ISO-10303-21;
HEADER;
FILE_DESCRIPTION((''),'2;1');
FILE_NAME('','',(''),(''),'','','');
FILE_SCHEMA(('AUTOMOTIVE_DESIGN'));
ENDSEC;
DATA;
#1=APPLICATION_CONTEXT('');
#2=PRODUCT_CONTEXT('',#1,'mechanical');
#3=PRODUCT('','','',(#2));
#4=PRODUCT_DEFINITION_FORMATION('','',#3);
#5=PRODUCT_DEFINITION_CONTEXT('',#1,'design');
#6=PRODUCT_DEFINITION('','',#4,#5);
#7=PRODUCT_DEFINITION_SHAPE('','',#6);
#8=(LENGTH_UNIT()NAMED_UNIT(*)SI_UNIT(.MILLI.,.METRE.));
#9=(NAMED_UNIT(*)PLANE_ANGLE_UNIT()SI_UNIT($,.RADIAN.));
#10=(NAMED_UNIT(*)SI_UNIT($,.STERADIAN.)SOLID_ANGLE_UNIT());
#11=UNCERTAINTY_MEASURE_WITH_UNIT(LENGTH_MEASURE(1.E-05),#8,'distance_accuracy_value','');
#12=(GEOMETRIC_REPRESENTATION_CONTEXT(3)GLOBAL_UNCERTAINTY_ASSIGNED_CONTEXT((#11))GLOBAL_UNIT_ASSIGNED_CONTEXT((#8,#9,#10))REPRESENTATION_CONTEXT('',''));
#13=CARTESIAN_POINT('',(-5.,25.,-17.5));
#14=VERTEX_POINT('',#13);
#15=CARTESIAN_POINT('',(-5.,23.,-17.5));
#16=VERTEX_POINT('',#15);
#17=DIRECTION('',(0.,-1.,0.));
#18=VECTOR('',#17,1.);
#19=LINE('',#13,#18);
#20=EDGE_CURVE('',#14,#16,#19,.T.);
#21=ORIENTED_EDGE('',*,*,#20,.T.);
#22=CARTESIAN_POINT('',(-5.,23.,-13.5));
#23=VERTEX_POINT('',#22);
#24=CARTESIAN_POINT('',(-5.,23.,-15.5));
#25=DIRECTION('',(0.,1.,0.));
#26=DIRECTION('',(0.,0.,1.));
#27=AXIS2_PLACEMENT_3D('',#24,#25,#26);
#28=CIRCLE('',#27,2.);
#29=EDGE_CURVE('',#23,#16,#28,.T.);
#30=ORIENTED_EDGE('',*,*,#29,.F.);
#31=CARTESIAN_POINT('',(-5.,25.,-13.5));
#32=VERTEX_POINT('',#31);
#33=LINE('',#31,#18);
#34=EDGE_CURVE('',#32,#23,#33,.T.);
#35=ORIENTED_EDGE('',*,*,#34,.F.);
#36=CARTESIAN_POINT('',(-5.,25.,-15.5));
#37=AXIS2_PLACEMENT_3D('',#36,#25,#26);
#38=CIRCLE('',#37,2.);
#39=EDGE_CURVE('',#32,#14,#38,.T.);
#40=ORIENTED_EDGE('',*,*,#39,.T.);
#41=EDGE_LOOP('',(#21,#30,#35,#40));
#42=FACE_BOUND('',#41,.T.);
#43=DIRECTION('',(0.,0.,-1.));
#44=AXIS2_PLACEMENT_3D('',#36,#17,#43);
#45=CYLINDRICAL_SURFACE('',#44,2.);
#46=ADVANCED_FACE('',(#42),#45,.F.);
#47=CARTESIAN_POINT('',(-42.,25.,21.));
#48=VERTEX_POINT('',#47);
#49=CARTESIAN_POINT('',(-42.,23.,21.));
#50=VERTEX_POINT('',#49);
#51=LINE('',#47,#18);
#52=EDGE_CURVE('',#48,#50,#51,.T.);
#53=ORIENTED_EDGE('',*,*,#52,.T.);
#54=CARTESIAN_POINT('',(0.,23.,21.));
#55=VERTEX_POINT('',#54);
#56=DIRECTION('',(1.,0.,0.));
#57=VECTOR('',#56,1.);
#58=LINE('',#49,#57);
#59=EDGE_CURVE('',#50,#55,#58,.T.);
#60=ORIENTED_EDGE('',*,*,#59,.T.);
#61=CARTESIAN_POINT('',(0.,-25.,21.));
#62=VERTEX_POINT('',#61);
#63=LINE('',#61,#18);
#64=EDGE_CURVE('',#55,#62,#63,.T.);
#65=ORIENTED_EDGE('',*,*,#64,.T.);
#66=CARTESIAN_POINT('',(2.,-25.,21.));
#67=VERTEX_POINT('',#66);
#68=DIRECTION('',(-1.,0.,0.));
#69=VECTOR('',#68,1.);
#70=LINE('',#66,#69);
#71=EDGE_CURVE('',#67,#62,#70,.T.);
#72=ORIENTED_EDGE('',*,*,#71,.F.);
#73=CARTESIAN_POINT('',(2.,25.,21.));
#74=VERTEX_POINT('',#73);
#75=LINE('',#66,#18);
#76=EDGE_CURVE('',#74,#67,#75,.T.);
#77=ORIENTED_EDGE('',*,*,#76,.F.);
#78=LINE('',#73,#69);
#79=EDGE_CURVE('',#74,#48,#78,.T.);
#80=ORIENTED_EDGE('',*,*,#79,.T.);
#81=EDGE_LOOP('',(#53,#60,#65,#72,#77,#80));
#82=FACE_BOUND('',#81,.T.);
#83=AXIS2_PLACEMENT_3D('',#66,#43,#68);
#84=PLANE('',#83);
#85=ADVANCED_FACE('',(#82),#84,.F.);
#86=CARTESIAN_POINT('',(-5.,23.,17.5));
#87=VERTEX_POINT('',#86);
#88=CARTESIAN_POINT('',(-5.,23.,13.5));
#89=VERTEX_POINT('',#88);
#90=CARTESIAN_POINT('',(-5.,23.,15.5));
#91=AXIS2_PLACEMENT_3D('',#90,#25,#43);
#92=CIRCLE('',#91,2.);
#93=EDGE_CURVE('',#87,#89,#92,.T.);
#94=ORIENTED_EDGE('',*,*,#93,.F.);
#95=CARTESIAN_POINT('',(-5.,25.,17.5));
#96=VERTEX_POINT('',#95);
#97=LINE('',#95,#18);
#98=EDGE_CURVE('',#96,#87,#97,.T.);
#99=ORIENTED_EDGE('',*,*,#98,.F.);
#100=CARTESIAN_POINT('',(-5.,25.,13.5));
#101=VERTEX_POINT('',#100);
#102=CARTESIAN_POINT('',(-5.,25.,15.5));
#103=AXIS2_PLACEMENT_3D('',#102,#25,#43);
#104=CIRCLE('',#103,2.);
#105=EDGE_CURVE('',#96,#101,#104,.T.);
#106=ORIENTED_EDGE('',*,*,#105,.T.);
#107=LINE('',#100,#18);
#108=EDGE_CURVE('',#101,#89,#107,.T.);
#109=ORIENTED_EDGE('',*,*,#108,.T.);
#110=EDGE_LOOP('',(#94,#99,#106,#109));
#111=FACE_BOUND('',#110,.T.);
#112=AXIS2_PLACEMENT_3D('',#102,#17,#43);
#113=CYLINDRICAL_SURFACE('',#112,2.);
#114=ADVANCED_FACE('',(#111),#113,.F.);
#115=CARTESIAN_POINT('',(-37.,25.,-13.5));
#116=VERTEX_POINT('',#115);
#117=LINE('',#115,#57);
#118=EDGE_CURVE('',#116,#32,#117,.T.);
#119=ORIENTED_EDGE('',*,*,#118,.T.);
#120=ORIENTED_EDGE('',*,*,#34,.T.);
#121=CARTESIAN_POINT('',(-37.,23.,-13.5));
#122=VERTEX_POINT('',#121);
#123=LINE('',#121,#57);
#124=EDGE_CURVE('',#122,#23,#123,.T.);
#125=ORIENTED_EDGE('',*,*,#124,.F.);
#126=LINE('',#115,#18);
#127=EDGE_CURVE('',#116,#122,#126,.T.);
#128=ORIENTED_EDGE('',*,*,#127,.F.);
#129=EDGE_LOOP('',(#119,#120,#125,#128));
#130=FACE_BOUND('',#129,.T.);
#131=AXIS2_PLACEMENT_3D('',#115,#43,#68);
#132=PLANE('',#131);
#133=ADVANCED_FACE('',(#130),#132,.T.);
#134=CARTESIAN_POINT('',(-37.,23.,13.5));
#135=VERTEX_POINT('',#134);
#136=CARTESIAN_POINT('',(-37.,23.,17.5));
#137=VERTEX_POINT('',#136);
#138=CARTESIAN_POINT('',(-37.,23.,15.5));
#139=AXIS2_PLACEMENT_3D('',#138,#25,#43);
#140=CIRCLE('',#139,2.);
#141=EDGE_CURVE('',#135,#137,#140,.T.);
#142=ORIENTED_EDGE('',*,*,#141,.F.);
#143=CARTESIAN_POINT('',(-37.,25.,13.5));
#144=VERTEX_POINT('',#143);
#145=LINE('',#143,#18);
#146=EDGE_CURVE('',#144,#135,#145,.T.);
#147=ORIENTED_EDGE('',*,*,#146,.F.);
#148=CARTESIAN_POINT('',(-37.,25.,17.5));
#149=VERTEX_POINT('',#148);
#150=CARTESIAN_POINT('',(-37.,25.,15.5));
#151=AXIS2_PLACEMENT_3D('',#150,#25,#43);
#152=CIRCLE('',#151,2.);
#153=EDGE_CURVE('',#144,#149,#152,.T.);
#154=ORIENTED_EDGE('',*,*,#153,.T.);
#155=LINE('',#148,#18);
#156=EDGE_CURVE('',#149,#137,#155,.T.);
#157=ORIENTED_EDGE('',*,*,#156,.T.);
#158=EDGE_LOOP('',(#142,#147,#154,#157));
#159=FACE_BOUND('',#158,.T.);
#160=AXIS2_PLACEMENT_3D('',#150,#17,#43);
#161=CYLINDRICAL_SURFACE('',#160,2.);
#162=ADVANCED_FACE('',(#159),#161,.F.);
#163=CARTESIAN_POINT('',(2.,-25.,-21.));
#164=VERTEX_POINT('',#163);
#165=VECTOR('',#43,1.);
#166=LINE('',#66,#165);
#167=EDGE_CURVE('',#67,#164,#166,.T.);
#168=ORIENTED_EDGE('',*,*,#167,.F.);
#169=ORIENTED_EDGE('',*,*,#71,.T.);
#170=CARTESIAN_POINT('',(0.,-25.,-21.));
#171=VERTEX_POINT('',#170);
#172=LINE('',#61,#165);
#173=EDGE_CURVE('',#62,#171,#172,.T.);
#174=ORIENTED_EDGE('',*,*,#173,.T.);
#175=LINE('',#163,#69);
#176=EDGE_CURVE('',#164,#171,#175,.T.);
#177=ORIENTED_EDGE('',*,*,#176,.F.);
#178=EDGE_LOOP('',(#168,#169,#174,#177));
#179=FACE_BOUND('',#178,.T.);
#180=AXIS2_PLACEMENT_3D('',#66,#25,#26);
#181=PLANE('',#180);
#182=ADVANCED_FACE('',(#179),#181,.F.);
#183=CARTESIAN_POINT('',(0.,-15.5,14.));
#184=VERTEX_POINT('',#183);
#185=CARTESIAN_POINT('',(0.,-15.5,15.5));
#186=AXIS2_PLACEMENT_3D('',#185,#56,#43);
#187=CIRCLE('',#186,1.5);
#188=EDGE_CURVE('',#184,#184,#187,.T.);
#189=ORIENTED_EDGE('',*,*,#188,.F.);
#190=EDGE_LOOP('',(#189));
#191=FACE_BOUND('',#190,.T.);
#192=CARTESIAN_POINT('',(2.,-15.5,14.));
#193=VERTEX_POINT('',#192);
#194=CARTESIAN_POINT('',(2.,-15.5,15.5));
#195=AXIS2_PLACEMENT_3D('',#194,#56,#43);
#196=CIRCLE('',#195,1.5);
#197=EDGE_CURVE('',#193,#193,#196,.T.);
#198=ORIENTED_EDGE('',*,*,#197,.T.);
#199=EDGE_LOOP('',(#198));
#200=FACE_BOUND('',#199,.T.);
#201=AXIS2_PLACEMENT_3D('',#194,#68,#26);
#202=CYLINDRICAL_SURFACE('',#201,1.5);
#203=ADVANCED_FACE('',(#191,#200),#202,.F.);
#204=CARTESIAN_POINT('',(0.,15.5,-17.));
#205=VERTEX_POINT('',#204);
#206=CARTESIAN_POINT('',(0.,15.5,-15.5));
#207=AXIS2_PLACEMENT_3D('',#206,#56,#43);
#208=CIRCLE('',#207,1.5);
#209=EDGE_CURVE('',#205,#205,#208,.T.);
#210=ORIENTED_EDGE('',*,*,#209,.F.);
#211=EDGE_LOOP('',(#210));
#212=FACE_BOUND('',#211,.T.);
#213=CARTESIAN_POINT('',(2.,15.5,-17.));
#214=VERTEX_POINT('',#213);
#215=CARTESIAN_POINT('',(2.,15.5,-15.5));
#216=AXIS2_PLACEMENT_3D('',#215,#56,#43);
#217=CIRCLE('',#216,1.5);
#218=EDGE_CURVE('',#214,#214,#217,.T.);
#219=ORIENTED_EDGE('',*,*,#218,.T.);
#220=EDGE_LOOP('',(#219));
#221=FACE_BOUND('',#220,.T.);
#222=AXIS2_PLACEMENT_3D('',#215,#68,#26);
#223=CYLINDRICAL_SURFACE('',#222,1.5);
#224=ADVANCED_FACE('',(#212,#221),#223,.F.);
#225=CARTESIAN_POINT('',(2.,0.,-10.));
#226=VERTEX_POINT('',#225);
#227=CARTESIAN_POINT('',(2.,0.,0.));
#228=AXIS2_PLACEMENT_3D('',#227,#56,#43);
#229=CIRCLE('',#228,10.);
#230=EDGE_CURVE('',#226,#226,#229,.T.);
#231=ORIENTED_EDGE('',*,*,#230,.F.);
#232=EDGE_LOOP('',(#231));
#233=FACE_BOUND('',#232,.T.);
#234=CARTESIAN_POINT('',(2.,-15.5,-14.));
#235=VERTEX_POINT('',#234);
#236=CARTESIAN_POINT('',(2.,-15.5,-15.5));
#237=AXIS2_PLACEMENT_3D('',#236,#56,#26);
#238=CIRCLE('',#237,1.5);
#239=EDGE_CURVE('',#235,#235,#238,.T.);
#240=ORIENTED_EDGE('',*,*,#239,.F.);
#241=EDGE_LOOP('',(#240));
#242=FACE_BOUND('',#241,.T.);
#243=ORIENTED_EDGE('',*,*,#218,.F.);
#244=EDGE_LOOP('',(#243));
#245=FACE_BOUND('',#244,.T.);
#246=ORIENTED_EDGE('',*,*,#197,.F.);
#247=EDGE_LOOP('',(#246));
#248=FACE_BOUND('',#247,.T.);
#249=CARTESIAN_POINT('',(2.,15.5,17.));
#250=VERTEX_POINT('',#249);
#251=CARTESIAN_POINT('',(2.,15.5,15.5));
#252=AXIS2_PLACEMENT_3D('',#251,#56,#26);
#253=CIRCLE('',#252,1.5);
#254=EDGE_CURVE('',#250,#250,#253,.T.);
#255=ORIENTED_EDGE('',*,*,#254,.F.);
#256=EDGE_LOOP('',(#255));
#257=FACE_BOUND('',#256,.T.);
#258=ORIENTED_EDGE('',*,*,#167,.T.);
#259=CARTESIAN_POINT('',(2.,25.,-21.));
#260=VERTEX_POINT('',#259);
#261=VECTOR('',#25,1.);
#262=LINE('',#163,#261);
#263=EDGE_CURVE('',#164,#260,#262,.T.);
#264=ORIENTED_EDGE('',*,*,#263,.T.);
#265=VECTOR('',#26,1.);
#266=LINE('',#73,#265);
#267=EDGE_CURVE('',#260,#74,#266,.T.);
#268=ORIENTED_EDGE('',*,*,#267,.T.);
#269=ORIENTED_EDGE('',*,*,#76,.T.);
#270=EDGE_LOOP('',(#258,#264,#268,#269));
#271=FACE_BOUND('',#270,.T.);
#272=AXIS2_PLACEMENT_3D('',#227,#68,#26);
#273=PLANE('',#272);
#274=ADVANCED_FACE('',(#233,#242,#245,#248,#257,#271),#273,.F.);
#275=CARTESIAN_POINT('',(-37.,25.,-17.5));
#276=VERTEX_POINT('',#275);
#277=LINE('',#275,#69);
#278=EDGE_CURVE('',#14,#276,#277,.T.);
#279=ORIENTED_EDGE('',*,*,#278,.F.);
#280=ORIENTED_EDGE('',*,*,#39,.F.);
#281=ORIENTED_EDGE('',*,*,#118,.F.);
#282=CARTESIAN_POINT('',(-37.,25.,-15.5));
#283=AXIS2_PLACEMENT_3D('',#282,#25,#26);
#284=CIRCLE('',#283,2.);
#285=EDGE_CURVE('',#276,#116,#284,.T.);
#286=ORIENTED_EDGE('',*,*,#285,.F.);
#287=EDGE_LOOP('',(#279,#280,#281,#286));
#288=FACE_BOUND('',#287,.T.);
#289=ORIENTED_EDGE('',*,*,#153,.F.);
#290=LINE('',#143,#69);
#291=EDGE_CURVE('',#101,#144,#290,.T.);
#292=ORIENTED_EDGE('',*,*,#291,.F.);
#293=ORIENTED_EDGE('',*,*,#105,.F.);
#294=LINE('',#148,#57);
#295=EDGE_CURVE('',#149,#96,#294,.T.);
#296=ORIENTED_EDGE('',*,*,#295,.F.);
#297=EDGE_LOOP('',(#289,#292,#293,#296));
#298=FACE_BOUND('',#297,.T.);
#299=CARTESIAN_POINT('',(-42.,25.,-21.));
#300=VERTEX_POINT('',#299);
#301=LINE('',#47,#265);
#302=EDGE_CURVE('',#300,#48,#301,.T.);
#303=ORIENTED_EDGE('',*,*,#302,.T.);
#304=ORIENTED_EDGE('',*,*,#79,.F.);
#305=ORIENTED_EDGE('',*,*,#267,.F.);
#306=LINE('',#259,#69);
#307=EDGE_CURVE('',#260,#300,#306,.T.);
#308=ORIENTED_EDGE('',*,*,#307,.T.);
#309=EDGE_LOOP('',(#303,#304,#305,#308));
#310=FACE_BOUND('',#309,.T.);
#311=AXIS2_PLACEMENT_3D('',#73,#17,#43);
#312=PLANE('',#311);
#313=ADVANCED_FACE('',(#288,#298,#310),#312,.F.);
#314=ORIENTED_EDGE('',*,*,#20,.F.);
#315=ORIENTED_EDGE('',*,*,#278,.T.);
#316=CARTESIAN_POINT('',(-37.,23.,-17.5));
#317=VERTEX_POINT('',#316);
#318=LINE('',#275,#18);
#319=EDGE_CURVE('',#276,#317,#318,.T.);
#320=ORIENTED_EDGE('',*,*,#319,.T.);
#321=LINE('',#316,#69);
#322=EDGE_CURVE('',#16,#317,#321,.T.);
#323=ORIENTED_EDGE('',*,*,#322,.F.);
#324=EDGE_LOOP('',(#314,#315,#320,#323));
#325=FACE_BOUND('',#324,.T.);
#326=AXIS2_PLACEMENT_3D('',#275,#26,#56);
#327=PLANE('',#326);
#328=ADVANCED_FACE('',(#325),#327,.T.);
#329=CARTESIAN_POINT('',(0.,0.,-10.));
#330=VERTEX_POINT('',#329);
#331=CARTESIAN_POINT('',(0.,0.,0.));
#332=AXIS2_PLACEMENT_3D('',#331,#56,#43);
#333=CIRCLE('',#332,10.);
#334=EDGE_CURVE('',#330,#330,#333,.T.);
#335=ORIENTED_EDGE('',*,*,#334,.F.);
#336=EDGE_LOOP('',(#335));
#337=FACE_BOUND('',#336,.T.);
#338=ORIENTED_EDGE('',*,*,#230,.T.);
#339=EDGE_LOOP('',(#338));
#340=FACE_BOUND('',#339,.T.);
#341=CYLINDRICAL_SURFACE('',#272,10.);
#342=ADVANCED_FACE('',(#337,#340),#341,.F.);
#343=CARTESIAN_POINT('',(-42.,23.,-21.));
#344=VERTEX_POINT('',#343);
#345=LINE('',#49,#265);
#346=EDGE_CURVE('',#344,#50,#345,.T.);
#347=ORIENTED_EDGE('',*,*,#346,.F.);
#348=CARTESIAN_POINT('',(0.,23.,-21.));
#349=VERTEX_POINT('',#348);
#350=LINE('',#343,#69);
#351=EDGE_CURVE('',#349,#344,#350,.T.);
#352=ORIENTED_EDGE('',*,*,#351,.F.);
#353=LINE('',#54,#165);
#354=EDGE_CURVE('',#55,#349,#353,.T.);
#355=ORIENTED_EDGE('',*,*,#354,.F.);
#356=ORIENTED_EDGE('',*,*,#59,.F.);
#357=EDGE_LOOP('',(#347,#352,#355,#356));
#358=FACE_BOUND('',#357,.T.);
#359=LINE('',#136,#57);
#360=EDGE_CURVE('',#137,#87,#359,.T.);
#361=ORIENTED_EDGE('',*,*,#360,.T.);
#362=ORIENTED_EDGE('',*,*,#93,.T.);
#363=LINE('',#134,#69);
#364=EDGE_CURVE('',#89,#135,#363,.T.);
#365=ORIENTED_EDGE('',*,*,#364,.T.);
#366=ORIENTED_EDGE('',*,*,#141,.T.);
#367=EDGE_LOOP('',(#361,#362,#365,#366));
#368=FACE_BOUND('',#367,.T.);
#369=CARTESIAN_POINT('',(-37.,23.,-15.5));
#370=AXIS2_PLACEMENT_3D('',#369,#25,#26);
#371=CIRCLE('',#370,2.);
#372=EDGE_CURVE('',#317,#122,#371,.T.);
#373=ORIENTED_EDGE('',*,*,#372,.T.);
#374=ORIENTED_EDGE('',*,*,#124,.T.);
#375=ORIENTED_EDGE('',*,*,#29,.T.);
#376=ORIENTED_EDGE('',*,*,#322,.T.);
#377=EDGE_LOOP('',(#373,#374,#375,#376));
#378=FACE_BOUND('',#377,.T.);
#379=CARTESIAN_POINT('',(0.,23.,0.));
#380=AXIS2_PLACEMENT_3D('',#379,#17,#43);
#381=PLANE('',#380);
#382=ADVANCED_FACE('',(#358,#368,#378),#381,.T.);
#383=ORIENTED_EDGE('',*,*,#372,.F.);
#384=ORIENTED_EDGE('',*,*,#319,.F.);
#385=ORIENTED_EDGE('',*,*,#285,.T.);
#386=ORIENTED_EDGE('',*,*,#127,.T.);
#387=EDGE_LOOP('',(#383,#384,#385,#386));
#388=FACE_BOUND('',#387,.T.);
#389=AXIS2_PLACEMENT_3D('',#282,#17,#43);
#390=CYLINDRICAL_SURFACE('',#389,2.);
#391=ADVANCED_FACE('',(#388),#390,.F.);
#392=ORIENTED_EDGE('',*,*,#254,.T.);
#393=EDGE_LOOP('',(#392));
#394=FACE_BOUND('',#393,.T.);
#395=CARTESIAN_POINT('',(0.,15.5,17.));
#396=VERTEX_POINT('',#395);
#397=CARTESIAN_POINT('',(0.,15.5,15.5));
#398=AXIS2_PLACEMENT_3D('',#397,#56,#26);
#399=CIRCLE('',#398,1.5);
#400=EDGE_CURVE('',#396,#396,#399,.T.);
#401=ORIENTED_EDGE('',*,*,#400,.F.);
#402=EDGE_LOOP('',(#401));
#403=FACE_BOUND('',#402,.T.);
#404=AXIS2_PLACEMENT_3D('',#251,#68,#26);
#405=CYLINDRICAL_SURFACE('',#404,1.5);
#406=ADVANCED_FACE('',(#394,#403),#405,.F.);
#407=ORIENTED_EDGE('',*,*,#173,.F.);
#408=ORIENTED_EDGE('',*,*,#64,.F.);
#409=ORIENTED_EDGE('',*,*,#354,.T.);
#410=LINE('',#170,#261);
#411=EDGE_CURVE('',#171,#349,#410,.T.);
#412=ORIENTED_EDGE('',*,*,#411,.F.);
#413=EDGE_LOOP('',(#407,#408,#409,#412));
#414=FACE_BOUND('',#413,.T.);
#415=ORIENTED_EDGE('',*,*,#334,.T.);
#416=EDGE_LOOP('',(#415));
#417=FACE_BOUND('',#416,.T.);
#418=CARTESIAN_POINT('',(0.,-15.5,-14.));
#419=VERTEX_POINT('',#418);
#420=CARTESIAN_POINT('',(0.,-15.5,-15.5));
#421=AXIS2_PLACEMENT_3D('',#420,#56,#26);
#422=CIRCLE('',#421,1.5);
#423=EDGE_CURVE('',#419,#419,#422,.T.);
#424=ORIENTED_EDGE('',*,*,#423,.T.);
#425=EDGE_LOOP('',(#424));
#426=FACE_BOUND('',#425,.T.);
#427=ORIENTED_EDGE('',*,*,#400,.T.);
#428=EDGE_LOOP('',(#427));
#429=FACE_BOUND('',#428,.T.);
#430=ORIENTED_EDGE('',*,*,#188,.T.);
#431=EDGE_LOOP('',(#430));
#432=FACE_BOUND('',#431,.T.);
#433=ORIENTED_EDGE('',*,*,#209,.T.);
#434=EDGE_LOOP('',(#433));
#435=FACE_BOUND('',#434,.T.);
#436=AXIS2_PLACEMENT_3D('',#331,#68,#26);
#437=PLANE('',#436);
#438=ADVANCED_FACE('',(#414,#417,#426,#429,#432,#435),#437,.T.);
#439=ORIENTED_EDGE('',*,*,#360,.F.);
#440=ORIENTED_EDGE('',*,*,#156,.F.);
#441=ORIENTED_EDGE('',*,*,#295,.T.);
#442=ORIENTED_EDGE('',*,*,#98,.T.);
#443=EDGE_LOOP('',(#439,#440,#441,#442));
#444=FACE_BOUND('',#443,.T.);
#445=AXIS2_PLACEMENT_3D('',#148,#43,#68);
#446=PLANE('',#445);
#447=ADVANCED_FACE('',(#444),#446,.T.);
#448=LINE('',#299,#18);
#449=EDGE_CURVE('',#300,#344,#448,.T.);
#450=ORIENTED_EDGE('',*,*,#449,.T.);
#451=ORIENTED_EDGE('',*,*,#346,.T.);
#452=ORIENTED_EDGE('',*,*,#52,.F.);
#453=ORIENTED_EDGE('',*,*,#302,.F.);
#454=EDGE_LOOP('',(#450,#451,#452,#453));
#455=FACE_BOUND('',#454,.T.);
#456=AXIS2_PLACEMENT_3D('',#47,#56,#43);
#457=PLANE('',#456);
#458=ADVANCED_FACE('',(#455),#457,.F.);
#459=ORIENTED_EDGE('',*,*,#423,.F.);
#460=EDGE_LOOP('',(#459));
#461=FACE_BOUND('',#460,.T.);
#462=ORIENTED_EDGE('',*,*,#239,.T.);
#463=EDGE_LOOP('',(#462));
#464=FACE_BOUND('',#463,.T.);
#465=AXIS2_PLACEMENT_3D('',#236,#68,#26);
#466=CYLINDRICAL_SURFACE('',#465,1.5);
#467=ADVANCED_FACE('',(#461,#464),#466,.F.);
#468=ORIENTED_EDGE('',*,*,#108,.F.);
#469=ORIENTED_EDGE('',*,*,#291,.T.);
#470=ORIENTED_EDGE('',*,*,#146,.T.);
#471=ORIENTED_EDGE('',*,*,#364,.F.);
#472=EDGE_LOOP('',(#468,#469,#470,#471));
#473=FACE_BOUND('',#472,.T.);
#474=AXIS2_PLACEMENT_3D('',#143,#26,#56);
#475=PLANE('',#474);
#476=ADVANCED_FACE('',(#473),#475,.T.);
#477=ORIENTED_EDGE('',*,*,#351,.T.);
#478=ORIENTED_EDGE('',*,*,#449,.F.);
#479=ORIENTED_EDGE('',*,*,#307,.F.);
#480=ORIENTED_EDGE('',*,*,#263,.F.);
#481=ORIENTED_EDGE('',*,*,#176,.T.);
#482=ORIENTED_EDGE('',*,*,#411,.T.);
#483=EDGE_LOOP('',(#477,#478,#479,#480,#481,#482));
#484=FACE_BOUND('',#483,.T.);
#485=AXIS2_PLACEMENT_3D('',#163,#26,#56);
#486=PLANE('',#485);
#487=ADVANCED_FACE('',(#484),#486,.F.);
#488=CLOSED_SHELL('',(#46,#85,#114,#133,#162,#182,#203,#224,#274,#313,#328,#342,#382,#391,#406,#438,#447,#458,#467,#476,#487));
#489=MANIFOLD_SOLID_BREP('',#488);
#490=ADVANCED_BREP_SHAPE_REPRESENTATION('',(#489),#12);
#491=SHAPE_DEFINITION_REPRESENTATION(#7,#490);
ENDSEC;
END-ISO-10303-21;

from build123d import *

# Parameters (mm, degrees)
SKETCH_2_W          = 42
SKETCH_2_H          = 50
SKETCH_2_R          = 1.5
SKETCH_2_R_2        = 10
EXTRUDE_5_DEPTH     = 2
SKETCH_4_W          = 42
SKETCH_4_H          = 42
EXTRUDE_6_DEPTH     = 25
SKETCH_4_3_W        = 42
SKETCH_4_3_H        = 42
CUT_EXTRUDE_1_DEPTH = 23


with BuildPart() as part:
    # 草图2 → 凸台-拉伸5 (new body)
    with BuildSketch(Plane(origin=(0, 0, 0), x_dir=(0, 0, -1), z_dir=(1, 0, 0))):
        Rectangle(SKETCH_2_W, SKETCH_2_H)
        with Locations((15.5, 15.5)):
            Circle(SKETCH_2_R, mode=Mode.SUBTRACT)
        with Locations((15.5, -15.5)):
            Circle(SKETCH_2_R, mode=Mode.SUBTRACT)
        with Locations((-15.5, -15.5)):
            Circle(SKETCH_2_R, mode=Mode.SUBTRACT)
        with Locations((-15.5, 15.5)):
            Circle(SKETCH_2_R, mode=Mode.SUBTRACT)
        Circle(SKETCH_2_R_2, mode=Mode.SUBTRACT)
    extrude(amount=EXTRUDE_5_DEPTH)

    # 草图4 → 凸台-拉伸6 (add)
    with BuildSketch(Plane(origin=(0, 0, 0), x_dir=(1, 0, 0), z_dir=(0, 1, 0))):
        with Locations((-21, 0)):
            Rectangle(SKETCH_4_W, SKETCH_4_H)
        with BuildLine():
            Line((-37, 17.5), (-5, 17.5))
            ThreePointArc((-5, 17.5), (-3, 15.5), (-5, 13.5))
            Line((-5, 13.5), (-37, 13.5))
            ThreePointArc((-37, 13.5), (-39, 15.5), (-37, 17.5))
        make_face(mode=Mode.SUBTRACT)
        with BuildLine():
            Line((-37, -17.5), (-5, -17.5))
            ThreePointArc((-5, -17.5), (-3, -15.5), (-5, -13.5))
            Line((-5, -13.5), (-37, -13.5))
            ThreePointArc((-37, -13.5), (-39, -15.5), (-37, -17.5))
        make_face(mode=Mode.SUBTRACT)
    extrude(amount=EXTRUDE_6_DEPTH)

    # 草图4<3> → 切除-拉伸1 (cut)
    with BuildSketch(Plane(origin=(0, 0, 0), x_dir=(1, 0, 0), z_dir=(0, 1, 0))):
        with Locations((-21, 0)):
            Rectangle(SKETCH_4_3_W, SKETCH_4_3_H)
        with BuildLine():
            Line((-37, 17.5), (-5, 17.5))
            ThreePointArc((-5, 17.5), (-3, 15.5), (-5, 13.5))
            Line((-5, 13.5), (-37, 13.5))
            ThreePointArc((-37, 13.5), (-39, 15.5), (-37, 17.5))
        make_face(mode=Mode.SUBTRACT)
        with BuildLine():
            Line((-37, -17.5), (-5, -17.5))
            ThreePointArc((-5, -17.5), (-3, -15.5), (-5, -13.5))
            Line((-5, -13.5), (-37, -13.5))
            ThreePointArc((-37, -13.5), (-39, -15.5), (-37, -17.5))
        make_face(mode=Mode.SUBTRACT)
    extrude(amount=CUT_EXTRUDE_1_DEPTH, mode=Mode.SUBTRACT)


solid = part.part
